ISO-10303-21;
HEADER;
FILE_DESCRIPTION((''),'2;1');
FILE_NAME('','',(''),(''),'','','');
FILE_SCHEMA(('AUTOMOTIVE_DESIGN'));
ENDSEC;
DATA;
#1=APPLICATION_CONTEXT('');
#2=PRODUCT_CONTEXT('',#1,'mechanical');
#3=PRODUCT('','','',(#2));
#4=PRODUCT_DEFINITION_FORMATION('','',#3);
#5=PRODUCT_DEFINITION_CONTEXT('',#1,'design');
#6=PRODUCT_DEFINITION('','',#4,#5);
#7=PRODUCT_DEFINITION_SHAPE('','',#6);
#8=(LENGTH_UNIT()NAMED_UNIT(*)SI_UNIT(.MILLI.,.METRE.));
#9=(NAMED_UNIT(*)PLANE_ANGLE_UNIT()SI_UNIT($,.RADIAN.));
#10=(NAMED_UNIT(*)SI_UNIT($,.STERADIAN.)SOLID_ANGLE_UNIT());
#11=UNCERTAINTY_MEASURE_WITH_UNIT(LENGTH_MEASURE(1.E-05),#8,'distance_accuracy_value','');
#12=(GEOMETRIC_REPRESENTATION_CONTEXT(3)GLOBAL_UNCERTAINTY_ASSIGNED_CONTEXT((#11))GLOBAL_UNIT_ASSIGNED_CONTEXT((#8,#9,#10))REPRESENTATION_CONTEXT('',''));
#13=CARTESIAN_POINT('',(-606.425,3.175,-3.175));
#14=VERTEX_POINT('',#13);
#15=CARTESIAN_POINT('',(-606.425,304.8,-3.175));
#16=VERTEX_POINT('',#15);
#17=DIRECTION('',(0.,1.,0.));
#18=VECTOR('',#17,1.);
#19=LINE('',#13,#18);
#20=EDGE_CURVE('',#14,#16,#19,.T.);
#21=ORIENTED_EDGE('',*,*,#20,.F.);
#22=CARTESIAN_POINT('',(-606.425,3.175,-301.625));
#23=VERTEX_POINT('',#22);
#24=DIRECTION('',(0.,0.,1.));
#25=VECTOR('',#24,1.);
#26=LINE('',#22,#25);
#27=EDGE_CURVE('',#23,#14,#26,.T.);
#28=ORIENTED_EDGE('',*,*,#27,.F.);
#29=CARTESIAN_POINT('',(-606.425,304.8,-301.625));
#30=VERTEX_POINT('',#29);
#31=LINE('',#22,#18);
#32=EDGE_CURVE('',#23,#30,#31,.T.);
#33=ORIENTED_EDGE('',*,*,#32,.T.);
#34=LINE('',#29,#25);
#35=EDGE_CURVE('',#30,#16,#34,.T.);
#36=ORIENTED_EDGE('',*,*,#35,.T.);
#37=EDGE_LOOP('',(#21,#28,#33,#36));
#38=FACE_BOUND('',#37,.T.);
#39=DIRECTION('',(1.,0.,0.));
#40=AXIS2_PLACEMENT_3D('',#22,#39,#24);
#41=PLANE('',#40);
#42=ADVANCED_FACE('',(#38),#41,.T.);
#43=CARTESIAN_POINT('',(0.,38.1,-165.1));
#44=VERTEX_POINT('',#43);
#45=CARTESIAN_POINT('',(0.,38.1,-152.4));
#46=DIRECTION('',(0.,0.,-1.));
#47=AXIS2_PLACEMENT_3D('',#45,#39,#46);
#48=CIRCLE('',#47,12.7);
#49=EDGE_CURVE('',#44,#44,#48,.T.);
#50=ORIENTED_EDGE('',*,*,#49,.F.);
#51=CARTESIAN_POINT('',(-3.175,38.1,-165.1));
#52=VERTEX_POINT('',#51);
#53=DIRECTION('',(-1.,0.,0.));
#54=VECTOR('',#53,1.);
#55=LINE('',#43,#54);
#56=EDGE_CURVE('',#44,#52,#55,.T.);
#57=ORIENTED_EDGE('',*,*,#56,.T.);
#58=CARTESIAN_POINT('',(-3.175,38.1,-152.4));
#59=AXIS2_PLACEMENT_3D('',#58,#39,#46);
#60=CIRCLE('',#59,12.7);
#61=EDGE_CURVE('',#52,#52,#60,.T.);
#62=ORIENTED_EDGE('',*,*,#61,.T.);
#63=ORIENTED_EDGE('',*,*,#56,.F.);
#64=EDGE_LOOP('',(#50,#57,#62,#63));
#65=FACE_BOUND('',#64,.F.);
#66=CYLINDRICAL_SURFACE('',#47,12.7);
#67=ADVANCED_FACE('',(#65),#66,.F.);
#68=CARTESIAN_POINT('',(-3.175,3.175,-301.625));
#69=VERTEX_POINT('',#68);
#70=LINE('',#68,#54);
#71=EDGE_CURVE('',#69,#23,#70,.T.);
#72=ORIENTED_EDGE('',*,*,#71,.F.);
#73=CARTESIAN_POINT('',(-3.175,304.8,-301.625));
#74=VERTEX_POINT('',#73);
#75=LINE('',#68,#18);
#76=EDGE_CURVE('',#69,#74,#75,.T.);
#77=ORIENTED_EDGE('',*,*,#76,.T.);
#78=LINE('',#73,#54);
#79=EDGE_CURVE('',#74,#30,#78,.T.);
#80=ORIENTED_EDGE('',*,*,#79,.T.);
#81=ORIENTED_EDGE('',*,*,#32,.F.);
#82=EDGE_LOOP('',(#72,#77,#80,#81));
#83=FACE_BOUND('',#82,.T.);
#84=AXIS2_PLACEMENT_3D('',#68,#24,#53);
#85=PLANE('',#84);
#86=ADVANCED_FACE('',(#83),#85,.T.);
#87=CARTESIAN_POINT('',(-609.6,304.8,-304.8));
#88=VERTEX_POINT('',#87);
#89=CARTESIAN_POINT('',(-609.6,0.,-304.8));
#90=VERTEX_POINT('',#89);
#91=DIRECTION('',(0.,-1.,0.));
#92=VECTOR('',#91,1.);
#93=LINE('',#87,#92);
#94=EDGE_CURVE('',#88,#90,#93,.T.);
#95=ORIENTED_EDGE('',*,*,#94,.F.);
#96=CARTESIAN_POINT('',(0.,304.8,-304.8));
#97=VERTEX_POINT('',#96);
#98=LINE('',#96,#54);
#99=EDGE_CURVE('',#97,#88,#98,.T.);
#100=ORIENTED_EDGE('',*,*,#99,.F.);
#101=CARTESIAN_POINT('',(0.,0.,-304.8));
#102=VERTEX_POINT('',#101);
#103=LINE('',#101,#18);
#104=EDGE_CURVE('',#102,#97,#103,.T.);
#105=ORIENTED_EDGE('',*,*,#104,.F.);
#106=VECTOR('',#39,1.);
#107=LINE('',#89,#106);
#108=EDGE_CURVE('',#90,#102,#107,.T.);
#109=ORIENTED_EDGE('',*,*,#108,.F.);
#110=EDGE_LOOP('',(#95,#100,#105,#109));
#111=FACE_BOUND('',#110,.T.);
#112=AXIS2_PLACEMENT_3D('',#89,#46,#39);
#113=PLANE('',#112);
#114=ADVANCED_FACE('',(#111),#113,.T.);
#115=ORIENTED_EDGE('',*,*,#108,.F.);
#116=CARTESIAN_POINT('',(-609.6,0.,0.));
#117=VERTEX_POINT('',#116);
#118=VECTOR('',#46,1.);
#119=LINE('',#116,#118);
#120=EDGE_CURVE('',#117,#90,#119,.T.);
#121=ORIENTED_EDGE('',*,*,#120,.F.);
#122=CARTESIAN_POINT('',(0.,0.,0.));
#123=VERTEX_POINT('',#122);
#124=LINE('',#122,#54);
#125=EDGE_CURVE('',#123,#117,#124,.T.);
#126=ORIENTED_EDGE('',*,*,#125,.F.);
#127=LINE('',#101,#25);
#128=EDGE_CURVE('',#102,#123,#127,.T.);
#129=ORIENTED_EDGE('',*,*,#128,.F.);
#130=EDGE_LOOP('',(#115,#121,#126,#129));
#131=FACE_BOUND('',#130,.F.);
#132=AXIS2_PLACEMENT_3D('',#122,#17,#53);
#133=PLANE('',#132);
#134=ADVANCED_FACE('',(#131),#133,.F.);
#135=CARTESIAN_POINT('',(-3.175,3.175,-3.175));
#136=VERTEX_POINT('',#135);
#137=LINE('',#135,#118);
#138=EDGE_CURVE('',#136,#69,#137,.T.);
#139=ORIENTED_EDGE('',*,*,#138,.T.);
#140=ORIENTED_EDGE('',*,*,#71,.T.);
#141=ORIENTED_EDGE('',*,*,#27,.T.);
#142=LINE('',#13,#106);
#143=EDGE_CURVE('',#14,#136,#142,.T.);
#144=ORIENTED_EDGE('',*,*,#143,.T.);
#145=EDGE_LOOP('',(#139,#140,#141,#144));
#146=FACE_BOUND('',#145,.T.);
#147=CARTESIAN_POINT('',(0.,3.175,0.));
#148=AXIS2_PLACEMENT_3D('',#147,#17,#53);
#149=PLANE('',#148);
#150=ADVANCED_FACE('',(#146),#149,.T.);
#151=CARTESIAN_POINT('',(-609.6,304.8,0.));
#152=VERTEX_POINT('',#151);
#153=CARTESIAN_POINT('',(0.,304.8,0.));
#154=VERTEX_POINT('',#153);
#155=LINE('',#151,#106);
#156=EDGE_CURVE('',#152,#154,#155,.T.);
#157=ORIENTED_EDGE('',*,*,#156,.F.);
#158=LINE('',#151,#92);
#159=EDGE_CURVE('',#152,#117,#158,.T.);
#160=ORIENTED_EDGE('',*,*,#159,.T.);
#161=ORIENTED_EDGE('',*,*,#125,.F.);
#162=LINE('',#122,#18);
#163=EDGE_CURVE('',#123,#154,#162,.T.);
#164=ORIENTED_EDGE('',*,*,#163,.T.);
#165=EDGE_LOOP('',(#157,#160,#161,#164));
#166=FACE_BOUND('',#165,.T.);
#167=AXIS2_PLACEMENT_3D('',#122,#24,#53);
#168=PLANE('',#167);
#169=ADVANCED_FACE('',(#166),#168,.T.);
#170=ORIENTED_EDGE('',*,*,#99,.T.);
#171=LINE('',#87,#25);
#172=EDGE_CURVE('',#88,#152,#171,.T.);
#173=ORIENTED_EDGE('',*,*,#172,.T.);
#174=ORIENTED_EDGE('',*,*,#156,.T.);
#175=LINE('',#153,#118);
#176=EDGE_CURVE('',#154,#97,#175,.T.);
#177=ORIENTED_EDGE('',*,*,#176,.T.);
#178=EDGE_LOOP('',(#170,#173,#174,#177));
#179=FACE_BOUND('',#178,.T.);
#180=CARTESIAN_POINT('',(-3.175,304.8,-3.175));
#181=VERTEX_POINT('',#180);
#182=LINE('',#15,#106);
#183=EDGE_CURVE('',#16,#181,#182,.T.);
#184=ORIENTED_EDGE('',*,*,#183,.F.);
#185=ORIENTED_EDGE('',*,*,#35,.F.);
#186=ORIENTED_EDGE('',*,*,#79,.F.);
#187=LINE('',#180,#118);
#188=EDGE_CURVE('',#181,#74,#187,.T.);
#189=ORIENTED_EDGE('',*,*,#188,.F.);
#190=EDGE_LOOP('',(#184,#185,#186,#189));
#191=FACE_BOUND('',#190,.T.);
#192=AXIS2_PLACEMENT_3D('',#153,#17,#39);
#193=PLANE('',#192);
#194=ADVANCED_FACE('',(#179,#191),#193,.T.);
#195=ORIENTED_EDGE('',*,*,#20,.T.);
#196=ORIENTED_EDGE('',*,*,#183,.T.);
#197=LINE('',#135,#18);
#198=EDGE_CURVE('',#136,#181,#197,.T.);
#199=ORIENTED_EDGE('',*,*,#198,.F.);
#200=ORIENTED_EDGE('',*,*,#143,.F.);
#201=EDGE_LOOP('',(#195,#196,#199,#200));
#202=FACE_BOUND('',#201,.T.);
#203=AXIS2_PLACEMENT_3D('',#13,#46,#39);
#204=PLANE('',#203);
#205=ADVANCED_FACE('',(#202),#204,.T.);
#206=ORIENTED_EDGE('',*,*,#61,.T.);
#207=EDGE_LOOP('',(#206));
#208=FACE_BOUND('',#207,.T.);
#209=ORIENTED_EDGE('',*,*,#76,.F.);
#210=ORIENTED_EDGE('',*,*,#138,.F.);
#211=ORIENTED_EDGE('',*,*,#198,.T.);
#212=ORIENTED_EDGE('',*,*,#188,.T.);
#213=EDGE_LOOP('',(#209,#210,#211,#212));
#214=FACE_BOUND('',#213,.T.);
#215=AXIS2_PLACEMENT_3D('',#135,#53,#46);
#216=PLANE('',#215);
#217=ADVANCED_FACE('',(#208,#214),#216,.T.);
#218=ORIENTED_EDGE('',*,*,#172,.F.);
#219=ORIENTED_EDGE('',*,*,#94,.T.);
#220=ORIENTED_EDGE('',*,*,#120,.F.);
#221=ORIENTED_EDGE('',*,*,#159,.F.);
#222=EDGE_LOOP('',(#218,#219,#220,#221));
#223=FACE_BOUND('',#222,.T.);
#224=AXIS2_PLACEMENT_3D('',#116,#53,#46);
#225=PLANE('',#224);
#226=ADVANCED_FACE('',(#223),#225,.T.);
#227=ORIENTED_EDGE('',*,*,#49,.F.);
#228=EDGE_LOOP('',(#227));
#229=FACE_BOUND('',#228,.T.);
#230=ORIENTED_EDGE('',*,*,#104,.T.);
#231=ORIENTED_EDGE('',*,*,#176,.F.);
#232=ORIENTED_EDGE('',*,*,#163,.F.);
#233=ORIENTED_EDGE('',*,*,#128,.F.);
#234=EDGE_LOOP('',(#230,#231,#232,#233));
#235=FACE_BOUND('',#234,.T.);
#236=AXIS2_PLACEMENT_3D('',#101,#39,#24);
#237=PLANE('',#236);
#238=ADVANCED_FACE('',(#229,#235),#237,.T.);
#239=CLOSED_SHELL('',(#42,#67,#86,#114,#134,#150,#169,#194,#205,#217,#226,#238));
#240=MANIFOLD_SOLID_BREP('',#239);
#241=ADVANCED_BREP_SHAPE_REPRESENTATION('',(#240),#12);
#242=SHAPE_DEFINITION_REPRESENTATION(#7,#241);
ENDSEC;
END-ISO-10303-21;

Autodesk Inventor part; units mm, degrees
ref_plane "YZ Plane" through (0, 0, 0) normal (1, 0, 0) x (0, 1, 0)
ref_plane "XZ Plane" through (0, 0, 0) normal (0, 1, 0) x (-1, 0, 0)
ref_plane "XY Plane" through (0, 0, 0) normal (0, 0, 1) x (1, 0, 0)
sketch "Sketch1" plane through (0, 0, 0) normal (0, 1, 0) x (-1, 0, 0)
  line L0 (0, 0) -> (609.6, 0)
  line L1 (609.6, 0) -> (609.6, -304.8)
  line L2 (609.6, -304.8) -> (0, -304.8)
  line L3 (0, -304.8) -> (0, 0)
  dimension "d0" = 304.8
  dimension "d1" = 609.6
extrude "Extrusion1" add sketch "Sketch1" along normal blind 3.175
sketch "Sketch2" plane through (0, 3.175, 0) normal (0, 1, 0) x (1, 0, 0)
  line L0 (-609.6, 0) -> (0, 0) projected
  line L1 (0, 0) -> (0, 304.8) projected
  line L2 (-609.6, 0) -> (0, 0)
  line L3 (0, 0) -> (0, 304.8)
  line L4 (0, 304.8) -> (-609.6, 304.8)
  line L5 (-609.6, 304.8) -> (-609.6, 0)
  line L6 (-606.425, 3.175) -> (-3.175, 3.175)
  line L7 (-3.175, 3.175) -> (-3.175, 301.625)
  line L8 (-3.175, 301.625) -> (-606.425, 301.625)
  line L9 (-606.425, 301.625) -> (-606.425, 3.175)
  dimension "d4" = 3.175
  dimension "d5" = 3.175
  dimension "d6" = 3.175
  dimension "d7" = 3.175
extrude "Extrusion2" add sketch "Sketch2" along normal blind 301.625
sketch "Sketch5" plane through (0, 0, 0) normal (1, 0, 0) x (0, 0, -1)
  circle A0 centre (152.4, 38.1) radius 12.7
  line L0 (304.8, 0) -> (0, 0) projected
  line L1 (304.8, 0) -> (304.8, 304.8) projected
  dimension "d18" = 25.4
  dimension "d19" = 38.1
  dimension "d20" = 152.4
extrude "Extrusion5" cut sketch "Sketch5" against normal blind 25.4
properties part number "Burner"
